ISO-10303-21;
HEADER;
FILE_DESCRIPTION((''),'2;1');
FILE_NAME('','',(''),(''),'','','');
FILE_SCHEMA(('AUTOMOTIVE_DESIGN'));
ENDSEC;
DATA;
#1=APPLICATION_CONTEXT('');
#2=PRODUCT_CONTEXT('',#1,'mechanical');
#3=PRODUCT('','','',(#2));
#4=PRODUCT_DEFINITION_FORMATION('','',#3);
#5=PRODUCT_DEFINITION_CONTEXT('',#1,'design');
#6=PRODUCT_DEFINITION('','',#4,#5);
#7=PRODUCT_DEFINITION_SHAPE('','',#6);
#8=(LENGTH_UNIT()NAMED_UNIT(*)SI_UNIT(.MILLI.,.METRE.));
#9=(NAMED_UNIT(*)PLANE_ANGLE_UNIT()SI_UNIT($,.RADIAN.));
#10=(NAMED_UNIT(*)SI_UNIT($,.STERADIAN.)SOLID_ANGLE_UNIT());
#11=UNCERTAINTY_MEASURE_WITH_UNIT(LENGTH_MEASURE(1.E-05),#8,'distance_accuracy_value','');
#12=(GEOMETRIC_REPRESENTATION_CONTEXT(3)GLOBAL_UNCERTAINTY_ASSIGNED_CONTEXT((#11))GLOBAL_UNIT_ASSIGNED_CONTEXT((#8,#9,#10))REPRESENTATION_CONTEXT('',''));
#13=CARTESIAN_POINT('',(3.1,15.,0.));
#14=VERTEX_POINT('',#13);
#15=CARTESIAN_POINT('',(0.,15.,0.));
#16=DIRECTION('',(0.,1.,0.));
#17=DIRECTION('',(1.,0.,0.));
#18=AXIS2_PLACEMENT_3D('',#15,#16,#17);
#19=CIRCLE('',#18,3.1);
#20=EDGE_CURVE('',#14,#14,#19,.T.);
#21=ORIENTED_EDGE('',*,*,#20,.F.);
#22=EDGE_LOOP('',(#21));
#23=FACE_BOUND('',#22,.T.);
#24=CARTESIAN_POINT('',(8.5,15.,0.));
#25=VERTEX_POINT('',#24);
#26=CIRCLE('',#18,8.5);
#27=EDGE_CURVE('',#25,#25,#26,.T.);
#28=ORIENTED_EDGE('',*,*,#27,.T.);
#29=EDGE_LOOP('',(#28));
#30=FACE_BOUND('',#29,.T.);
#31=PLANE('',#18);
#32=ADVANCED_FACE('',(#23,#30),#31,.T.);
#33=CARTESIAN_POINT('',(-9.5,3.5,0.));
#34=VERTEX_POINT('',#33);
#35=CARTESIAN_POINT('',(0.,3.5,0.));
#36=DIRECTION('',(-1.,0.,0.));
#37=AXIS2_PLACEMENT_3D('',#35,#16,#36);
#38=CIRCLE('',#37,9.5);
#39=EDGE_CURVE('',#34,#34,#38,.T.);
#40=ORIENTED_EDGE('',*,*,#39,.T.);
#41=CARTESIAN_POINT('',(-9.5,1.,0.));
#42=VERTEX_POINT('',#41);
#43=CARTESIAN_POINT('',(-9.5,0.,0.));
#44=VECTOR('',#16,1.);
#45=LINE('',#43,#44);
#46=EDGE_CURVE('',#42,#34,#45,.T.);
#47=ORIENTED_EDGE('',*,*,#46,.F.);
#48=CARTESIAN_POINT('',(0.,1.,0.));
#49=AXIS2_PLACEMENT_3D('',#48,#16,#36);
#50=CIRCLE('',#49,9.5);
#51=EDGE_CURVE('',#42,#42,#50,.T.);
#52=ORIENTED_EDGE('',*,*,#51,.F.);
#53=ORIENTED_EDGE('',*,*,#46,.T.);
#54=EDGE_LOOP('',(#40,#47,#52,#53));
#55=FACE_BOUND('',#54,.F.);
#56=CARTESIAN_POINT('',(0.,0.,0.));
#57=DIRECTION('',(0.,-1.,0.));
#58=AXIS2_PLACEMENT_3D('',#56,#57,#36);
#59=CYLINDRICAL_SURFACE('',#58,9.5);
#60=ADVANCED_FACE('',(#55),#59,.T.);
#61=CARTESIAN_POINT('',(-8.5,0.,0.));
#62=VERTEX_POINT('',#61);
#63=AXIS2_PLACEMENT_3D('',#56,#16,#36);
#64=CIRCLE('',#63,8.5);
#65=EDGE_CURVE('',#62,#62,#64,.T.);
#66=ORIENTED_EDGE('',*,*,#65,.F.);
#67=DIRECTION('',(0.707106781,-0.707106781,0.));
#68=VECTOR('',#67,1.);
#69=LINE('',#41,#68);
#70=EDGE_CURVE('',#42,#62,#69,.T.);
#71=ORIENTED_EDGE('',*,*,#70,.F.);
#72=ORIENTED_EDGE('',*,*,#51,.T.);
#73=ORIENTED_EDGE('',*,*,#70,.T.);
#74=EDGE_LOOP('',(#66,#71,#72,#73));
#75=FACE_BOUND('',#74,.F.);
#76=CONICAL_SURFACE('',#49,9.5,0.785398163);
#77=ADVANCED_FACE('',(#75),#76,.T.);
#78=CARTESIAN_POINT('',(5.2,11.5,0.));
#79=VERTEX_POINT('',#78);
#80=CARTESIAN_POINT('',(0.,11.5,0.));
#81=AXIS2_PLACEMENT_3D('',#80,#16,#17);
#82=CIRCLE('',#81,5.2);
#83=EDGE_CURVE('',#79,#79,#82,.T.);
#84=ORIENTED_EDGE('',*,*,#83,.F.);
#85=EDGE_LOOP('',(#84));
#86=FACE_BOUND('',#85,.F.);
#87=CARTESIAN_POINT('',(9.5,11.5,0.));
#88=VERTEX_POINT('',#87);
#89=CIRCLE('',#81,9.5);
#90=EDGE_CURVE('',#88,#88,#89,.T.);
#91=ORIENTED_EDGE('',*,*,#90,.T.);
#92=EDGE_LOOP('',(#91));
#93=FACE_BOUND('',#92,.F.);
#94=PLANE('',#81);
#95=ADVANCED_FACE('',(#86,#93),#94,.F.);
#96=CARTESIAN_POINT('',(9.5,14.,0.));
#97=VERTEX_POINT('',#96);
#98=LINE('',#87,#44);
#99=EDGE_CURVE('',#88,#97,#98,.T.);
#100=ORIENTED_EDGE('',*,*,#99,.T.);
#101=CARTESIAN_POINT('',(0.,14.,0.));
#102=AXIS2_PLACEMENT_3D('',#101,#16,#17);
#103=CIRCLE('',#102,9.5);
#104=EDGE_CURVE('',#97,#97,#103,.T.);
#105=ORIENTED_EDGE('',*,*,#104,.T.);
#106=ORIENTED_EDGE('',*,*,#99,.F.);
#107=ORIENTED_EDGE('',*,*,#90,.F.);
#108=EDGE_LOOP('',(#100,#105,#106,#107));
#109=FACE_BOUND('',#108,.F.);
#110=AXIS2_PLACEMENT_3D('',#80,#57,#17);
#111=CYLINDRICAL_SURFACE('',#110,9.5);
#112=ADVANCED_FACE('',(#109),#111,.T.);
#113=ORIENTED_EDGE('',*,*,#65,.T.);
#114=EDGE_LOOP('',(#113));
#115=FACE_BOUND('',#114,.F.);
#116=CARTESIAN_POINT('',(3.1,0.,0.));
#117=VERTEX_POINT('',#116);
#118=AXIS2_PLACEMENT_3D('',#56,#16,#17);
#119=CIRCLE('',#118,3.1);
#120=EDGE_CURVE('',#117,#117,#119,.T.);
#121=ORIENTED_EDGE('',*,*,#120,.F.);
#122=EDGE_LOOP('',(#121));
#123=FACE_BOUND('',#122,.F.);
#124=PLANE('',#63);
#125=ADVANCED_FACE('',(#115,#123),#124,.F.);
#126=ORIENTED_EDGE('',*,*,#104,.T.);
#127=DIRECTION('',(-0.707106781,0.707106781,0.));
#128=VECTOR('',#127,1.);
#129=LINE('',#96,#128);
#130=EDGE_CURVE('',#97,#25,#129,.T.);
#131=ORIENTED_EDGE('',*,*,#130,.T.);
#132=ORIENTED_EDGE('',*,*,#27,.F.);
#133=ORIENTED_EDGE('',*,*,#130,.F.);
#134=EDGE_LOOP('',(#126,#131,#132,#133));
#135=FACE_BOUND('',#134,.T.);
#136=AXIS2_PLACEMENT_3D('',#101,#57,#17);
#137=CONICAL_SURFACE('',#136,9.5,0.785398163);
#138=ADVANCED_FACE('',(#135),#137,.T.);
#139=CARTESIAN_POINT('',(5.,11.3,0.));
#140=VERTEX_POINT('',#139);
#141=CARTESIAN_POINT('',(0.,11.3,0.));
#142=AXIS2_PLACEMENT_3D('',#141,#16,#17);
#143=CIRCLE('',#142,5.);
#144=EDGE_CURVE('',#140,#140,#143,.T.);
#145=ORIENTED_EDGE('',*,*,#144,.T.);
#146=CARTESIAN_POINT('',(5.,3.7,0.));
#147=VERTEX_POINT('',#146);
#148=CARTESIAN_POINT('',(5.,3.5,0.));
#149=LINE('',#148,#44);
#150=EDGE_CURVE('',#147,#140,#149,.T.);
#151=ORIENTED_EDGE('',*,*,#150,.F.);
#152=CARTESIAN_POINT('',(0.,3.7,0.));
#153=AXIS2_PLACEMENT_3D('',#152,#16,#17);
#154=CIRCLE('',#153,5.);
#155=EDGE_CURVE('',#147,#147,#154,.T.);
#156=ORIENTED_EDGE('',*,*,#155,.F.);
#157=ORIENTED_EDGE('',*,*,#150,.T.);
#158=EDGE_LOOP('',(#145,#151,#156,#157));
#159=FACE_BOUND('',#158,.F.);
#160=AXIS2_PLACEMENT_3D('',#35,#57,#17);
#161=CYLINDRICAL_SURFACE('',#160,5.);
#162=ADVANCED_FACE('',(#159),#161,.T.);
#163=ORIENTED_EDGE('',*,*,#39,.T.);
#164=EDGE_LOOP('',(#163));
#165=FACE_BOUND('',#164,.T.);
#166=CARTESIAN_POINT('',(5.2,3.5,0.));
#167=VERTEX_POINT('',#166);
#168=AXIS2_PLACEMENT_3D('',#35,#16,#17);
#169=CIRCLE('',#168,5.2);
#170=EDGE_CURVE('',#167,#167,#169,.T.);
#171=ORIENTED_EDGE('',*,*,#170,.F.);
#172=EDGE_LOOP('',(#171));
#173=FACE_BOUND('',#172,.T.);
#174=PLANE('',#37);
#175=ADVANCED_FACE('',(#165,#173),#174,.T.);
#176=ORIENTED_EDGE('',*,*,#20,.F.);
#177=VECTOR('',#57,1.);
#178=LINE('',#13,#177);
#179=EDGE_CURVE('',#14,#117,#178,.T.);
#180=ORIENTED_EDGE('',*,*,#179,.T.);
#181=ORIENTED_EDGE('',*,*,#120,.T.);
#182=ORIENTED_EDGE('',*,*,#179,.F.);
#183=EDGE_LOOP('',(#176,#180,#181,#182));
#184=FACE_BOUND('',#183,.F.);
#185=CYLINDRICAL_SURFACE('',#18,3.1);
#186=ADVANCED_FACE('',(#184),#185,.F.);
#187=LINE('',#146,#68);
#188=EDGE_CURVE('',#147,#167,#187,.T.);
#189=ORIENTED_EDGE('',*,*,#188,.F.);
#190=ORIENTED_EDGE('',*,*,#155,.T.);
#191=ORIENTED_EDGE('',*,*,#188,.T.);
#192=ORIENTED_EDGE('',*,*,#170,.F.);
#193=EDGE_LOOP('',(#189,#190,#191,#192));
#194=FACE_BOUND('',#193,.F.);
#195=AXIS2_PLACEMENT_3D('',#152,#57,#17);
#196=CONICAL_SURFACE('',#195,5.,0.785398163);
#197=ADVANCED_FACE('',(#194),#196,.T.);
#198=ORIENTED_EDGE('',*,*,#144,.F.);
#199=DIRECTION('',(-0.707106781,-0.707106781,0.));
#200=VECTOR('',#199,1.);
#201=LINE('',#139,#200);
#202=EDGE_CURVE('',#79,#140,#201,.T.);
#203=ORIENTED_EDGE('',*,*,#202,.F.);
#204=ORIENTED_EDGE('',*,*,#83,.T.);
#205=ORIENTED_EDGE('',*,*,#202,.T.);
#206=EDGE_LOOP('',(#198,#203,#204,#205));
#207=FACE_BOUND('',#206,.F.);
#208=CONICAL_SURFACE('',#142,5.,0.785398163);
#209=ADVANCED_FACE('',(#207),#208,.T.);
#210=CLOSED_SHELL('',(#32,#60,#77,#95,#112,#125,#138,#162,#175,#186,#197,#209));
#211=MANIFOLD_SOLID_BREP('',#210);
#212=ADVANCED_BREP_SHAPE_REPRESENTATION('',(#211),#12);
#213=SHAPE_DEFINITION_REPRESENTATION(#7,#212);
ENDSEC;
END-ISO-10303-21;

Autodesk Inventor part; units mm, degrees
ref_plane "YZ Plane" through (0, 0, 0) normal (1, 0, 0) x (0, 1, 0)
ref_plane "XZ Plane" through (0, 0, 0) normal (0, 1, 0) x (-1, 0, 0)
ref_plane "XY Plane" through (0, 0, 0) normal (0, 0, 1) x (1, 0, 0)
sketch "Эскиз1" plane through (0, 0, 0) normal (0, 1, 0) x (-1, 0, 0)
  circle A0 centre (0, 0) radius 9.5
  dimension "d0" = 19
extrude "Выдавливание1" add sketch "Эскиз1" along normal blind 3.5
sketch "Эскиз2" plane through (0, 3.5, 0) normal (0, 1, 0) x (1, 0, 0)
  circle A0 centre (0, 0) radius 5
  dimension "d3" = 10
extrude "Выдавливание2" add sketch "Эскиз2" along normal blind 8
sketch "Эскиз3" plane through (0, 11.5, 0) normal (0, 1, 0) x (1, 0, 0)
  circle A0 centre (0, 0) radius 9.5
extrude "Выдавливание3" add sketch "Эскиз3" along normal blind 3.5
chamfer "Фаска1" distance 1 angle 45 2 edges at (9.5, 0, 0) (-9.5, 15, 0)
chamfer "Фаска2" distance 0.2 angle 45 2 edges at (-5, 11.5, 0) (-5, 3.5, 0)
sketch "Эскиз4" plane through (0, 15, 0) normal (0, 1, 0) x (1, 0, 0)
  circle A0 centre (0, 0) radius 3.1
  dimension "d14" = 6.2
extrude "Выдавливание4" cut sketch "Эскиз4" against normal through all
properties part number "КВ33.044.402 - Каток" material "ПВХ, непластифицированный"
